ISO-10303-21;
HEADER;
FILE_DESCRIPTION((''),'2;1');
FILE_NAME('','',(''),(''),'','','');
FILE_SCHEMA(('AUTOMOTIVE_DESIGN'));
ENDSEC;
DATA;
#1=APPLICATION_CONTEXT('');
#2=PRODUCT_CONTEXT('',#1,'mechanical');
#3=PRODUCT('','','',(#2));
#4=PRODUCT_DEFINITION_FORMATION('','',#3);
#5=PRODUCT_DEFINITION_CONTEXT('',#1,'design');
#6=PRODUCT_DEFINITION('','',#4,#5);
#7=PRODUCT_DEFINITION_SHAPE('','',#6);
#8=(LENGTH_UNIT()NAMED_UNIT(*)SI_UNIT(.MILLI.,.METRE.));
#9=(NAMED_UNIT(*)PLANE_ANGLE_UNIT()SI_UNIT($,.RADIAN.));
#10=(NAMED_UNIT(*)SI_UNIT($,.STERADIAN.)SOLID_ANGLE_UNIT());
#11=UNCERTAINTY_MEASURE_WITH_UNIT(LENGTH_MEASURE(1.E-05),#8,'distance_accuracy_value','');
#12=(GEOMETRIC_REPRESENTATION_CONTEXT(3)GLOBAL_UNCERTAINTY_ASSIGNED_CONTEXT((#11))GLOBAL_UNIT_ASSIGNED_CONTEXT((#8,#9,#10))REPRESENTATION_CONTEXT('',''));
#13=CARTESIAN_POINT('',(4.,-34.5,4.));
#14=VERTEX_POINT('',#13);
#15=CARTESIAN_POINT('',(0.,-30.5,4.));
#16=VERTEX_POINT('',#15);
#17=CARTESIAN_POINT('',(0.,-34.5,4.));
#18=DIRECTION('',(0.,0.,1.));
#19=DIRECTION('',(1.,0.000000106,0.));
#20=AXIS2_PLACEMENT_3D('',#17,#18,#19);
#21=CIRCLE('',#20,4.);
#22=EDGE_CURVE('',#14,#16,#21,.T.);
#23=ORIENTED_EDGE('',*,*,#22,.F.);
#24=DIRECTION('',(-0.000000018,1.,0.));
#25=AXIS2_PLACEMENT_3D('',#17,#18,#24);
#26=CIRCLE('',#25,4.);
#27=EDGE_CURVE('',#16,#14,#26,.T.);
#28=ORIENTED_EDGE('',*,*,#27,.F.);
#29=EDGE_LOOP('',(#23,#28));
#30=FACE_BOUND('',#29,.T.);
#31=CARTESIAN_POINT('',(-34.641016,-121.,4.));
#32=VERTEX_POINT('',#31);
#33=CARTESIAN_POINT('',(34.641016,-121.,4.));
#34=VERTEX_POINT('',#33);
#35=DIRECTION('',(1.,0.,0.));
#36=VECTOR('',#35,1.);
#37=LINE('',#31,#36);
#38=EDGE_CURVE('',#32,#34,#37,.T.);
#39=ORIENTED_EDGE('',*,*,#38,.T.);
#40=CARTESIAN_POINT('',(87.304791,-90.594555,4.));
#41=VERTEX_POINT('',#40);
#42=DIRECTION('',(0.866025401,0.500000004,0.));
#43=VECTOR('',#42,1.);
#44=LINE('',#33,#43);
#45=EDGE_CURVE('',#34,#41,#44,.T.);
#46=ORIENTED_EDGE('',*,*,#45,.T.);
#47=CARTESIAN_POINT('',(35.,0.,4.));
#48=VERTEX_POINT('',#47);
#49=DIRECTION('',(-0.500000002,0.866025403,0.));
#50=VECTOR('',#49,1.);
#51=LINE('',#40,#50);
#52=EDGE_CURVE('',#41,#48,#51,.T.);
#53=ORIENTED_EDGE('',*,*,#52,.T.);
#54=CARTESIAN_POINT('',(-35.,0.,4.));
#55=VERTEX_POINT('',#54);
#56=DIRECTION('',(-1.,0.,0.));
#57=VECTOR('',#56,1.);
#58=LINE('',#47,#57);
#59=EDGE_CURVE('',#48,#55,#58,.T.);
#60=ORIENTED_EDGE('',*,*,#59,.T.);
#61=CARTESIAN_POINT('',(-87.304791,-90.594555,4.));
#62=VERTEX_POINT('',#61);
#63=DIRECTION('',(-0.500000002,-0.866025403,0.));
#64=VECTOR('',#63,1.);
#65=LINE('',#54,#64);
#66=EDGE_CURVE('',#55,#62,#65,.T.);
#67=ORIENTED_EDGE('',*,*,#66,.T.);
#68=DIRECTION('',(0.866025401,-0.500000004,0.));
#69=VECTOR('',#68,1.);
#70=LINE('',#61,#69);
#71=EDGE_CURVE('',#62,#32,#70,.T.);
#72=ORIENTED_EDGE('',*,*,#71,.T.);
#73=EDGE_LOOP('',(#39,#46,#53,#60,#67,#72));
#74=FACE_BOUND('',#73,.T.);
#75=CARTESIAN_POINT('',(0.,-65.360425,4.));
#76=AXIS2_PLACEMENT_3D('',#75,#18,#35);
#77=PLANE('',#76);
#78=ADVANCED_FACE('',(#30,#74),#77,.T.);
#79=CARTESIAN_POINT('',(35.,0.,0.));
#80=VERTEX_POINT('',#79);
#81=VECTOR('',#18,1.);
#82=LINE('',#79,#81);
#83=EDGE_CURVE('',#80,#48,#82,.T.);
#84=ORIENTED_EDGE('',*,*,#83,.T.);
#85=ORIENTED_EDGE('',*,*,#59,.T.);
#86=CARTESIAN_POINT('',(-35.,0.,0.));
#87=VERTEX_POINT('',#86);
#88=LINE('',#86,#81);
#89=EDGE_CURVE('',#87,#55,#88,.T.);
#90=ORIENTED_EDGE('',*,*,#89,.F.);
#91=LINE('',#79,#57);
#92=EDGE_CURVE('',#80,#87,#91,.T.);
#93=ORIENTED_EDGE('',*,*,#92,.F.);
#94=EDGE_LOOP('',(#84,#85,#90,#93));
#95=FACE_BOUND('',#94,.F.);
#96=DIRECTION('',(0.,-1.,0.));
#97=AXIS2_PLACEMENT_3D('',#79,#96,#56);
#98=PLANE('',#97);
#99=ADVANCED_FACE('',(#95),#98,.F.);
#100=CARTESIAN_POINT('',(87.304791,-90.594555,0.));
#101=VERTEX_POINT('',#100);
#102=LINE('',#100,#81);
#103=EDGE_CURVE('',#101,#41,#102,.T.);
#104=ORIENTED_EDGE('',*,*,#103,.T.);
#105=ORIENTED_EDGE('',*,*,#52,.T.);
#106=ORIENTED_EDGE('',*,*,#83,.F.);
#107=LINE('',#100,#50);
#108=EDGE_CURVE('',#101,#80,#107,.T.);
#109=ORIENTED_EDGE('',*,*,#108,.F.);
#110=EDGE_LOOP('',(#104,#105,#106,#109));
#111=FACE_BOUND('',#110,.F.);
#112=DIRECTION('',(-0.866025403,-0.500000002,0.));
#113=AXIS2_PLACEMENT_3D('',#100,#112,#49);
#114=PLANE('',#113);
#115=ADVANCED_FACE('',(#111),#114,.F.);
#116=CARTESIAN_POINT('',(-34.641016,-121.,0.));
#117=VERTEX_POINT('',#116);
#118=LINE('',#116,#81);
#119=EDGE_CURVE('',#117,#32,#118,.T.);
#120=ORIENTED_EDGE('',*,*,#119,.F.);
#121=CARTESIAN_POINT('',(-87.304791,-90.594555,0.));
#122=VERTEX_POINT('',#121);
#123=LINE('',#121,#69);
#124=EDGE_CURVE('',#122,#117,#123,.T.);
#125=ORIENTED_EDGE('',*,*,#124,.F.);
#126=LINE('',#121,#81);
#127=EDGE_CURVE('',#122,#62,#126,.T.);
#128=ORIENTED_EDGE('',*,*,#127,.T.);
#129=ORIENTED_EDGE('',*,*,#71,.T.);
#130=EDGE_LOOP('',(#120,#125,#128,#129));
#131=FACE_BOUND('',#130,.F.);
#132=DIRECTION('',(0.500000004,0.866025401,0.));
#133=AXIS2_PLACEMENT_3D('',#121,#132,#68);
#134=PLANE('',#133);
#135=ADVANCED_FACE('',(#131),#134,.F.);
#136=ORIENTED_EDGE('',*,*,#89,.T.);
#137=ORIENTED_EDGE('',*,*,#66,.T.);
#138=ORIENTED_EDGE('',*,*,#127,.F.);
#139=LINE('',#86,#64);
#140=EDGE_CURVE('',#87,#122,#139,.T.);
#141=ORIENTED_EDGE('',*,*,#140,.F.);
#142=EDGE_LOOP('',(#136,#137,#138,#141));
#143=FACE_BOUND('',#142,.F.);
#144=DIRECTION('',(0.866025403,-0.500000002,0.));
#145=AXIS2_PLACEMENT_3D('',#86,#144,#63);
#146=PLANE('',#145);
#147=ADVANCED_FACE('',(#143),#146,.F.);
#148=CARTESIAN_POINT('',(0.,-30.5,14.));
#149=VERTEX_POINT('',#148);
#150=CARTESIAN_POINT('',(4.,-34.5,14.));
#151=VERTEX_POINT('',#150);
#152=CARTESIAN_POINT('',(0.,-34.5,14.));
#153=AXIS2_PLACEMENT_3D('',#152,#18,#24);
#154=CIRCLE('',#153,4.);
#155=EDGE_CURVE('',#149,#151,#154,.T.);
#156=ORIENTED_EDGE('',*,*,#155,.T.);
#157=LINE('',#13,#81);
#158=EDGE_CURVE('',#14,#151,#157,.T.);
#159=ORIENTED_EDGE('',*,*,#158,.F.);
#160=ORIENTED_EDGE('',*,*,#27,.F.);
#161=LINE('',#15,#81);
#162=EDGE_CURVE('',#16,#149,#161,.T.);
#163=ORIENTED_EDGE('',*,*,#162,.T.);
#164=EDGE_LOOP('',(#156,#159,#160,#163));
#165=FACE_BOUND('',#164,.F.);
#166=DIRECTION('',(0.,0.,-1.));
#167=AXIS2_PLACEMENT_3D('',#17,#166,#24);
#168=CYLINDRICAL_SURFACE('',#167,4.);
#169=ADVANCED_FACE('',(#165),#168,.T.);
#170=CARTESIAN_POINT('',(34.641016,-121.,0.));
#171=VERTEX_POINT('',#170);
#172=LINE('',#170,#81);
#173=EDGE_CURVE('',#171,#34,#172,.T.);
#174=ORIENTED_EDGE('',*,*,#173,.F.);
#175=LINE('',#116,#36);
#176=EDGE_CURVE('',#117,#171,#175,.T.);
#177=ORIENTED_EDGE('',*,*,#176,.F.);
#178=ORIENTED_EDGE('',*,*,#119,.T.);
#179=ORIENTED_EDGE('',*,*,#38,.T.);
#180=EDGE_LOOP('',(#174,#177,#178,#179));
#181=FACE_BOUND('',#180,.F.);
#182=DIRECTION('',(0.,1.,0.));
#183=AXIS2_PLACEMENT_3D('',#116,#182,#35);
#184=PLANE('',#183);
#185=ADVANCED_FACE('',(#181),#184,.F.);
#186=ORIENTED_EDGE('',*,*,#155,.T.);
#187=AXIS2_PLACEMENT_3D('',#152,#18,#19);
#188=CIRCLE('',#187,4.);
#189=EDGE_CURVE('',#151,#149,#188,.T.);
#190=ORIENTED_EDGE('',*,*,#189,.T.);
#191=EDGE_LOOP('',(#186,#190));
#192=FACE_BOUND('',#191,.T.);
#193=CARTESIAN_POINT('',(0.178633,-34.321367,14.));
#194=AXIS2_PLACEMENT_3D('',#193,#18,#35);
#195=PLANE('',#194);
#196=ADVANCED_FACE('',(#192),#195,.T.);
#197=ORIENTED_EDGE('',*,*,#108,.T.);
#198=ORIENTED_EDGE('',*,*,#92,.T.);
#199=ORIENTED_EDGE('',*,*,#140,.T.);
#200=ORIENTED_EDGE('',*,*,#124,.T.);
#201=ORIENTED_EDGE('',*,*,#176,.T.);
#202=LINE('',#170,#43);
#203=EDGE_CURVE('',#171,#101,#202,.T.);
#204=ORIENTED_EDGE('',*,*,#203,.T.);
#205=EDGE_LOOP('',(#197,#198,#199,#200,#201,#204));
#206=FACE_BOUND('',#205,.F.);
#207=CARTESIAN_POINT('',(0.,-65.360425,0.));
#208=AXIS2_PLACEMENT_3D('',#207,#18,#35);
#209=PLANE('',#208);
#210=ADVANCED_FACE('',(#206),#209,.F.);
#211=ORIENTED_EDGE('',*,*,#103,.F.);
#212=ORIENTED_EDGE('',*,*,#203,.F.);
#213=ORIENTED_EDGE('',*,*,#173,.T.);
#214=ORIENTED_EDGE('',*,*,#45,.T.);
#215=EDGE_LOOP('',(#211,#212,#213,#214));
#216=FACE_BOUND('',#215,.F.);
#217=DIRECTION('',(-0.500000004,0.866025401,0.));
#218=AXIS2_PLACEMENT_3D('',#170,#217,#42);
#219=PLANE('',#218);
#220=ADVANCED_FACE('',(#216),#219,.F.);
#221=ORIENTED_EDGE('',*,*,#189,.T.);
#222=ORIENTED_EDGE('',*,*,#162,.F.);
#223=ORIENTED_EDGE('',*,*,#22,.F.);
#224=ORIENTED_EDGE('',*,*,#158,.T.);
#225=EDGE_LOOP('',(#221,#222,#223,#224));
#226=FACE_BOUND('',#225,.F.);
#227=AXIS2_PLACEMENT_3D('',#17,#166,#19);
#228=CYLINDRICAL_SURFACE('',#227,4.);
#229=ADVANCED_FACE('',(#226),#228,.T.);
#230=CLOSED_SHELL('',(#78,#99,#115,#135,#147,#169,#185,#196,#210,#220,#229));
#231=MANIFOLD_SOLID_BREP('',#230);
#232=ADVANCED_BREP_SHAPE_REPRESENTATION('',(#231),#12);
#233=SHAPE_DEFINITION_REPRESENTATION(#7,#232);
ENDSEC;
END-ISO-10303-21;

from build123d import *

# Parameters (mm, degrees)
F1_DEPTH = 4
F3_DEPTH = 10


with BuildPart() as f1:
    # F0 (on Top) → F1 (new body)
    with BuildSketch(Plane.XY):
        Polygon((35, 0), (0, 0), (-35, 0), (-87.304791, -90.594555), (-34.641016, -121), (34.641016, -121), (87.304791, -90.594555), align=None)
    extrude(amount=F1_DEPTH)

    # F2 (on face) → F3 (join)
    with BuildSketch(Plane.XY.offset(4)):
        with BuildLine():
            ThreePointArc((0, -30.5), (-2.828427, -37.328427), (4, -34.5))
            ThreePointArc((4, -34.5), (2.828427, -31.671573), (0, -30.5))
        make_face()
    extrude(amount=F3_DEPTH)


solid = f1.part
